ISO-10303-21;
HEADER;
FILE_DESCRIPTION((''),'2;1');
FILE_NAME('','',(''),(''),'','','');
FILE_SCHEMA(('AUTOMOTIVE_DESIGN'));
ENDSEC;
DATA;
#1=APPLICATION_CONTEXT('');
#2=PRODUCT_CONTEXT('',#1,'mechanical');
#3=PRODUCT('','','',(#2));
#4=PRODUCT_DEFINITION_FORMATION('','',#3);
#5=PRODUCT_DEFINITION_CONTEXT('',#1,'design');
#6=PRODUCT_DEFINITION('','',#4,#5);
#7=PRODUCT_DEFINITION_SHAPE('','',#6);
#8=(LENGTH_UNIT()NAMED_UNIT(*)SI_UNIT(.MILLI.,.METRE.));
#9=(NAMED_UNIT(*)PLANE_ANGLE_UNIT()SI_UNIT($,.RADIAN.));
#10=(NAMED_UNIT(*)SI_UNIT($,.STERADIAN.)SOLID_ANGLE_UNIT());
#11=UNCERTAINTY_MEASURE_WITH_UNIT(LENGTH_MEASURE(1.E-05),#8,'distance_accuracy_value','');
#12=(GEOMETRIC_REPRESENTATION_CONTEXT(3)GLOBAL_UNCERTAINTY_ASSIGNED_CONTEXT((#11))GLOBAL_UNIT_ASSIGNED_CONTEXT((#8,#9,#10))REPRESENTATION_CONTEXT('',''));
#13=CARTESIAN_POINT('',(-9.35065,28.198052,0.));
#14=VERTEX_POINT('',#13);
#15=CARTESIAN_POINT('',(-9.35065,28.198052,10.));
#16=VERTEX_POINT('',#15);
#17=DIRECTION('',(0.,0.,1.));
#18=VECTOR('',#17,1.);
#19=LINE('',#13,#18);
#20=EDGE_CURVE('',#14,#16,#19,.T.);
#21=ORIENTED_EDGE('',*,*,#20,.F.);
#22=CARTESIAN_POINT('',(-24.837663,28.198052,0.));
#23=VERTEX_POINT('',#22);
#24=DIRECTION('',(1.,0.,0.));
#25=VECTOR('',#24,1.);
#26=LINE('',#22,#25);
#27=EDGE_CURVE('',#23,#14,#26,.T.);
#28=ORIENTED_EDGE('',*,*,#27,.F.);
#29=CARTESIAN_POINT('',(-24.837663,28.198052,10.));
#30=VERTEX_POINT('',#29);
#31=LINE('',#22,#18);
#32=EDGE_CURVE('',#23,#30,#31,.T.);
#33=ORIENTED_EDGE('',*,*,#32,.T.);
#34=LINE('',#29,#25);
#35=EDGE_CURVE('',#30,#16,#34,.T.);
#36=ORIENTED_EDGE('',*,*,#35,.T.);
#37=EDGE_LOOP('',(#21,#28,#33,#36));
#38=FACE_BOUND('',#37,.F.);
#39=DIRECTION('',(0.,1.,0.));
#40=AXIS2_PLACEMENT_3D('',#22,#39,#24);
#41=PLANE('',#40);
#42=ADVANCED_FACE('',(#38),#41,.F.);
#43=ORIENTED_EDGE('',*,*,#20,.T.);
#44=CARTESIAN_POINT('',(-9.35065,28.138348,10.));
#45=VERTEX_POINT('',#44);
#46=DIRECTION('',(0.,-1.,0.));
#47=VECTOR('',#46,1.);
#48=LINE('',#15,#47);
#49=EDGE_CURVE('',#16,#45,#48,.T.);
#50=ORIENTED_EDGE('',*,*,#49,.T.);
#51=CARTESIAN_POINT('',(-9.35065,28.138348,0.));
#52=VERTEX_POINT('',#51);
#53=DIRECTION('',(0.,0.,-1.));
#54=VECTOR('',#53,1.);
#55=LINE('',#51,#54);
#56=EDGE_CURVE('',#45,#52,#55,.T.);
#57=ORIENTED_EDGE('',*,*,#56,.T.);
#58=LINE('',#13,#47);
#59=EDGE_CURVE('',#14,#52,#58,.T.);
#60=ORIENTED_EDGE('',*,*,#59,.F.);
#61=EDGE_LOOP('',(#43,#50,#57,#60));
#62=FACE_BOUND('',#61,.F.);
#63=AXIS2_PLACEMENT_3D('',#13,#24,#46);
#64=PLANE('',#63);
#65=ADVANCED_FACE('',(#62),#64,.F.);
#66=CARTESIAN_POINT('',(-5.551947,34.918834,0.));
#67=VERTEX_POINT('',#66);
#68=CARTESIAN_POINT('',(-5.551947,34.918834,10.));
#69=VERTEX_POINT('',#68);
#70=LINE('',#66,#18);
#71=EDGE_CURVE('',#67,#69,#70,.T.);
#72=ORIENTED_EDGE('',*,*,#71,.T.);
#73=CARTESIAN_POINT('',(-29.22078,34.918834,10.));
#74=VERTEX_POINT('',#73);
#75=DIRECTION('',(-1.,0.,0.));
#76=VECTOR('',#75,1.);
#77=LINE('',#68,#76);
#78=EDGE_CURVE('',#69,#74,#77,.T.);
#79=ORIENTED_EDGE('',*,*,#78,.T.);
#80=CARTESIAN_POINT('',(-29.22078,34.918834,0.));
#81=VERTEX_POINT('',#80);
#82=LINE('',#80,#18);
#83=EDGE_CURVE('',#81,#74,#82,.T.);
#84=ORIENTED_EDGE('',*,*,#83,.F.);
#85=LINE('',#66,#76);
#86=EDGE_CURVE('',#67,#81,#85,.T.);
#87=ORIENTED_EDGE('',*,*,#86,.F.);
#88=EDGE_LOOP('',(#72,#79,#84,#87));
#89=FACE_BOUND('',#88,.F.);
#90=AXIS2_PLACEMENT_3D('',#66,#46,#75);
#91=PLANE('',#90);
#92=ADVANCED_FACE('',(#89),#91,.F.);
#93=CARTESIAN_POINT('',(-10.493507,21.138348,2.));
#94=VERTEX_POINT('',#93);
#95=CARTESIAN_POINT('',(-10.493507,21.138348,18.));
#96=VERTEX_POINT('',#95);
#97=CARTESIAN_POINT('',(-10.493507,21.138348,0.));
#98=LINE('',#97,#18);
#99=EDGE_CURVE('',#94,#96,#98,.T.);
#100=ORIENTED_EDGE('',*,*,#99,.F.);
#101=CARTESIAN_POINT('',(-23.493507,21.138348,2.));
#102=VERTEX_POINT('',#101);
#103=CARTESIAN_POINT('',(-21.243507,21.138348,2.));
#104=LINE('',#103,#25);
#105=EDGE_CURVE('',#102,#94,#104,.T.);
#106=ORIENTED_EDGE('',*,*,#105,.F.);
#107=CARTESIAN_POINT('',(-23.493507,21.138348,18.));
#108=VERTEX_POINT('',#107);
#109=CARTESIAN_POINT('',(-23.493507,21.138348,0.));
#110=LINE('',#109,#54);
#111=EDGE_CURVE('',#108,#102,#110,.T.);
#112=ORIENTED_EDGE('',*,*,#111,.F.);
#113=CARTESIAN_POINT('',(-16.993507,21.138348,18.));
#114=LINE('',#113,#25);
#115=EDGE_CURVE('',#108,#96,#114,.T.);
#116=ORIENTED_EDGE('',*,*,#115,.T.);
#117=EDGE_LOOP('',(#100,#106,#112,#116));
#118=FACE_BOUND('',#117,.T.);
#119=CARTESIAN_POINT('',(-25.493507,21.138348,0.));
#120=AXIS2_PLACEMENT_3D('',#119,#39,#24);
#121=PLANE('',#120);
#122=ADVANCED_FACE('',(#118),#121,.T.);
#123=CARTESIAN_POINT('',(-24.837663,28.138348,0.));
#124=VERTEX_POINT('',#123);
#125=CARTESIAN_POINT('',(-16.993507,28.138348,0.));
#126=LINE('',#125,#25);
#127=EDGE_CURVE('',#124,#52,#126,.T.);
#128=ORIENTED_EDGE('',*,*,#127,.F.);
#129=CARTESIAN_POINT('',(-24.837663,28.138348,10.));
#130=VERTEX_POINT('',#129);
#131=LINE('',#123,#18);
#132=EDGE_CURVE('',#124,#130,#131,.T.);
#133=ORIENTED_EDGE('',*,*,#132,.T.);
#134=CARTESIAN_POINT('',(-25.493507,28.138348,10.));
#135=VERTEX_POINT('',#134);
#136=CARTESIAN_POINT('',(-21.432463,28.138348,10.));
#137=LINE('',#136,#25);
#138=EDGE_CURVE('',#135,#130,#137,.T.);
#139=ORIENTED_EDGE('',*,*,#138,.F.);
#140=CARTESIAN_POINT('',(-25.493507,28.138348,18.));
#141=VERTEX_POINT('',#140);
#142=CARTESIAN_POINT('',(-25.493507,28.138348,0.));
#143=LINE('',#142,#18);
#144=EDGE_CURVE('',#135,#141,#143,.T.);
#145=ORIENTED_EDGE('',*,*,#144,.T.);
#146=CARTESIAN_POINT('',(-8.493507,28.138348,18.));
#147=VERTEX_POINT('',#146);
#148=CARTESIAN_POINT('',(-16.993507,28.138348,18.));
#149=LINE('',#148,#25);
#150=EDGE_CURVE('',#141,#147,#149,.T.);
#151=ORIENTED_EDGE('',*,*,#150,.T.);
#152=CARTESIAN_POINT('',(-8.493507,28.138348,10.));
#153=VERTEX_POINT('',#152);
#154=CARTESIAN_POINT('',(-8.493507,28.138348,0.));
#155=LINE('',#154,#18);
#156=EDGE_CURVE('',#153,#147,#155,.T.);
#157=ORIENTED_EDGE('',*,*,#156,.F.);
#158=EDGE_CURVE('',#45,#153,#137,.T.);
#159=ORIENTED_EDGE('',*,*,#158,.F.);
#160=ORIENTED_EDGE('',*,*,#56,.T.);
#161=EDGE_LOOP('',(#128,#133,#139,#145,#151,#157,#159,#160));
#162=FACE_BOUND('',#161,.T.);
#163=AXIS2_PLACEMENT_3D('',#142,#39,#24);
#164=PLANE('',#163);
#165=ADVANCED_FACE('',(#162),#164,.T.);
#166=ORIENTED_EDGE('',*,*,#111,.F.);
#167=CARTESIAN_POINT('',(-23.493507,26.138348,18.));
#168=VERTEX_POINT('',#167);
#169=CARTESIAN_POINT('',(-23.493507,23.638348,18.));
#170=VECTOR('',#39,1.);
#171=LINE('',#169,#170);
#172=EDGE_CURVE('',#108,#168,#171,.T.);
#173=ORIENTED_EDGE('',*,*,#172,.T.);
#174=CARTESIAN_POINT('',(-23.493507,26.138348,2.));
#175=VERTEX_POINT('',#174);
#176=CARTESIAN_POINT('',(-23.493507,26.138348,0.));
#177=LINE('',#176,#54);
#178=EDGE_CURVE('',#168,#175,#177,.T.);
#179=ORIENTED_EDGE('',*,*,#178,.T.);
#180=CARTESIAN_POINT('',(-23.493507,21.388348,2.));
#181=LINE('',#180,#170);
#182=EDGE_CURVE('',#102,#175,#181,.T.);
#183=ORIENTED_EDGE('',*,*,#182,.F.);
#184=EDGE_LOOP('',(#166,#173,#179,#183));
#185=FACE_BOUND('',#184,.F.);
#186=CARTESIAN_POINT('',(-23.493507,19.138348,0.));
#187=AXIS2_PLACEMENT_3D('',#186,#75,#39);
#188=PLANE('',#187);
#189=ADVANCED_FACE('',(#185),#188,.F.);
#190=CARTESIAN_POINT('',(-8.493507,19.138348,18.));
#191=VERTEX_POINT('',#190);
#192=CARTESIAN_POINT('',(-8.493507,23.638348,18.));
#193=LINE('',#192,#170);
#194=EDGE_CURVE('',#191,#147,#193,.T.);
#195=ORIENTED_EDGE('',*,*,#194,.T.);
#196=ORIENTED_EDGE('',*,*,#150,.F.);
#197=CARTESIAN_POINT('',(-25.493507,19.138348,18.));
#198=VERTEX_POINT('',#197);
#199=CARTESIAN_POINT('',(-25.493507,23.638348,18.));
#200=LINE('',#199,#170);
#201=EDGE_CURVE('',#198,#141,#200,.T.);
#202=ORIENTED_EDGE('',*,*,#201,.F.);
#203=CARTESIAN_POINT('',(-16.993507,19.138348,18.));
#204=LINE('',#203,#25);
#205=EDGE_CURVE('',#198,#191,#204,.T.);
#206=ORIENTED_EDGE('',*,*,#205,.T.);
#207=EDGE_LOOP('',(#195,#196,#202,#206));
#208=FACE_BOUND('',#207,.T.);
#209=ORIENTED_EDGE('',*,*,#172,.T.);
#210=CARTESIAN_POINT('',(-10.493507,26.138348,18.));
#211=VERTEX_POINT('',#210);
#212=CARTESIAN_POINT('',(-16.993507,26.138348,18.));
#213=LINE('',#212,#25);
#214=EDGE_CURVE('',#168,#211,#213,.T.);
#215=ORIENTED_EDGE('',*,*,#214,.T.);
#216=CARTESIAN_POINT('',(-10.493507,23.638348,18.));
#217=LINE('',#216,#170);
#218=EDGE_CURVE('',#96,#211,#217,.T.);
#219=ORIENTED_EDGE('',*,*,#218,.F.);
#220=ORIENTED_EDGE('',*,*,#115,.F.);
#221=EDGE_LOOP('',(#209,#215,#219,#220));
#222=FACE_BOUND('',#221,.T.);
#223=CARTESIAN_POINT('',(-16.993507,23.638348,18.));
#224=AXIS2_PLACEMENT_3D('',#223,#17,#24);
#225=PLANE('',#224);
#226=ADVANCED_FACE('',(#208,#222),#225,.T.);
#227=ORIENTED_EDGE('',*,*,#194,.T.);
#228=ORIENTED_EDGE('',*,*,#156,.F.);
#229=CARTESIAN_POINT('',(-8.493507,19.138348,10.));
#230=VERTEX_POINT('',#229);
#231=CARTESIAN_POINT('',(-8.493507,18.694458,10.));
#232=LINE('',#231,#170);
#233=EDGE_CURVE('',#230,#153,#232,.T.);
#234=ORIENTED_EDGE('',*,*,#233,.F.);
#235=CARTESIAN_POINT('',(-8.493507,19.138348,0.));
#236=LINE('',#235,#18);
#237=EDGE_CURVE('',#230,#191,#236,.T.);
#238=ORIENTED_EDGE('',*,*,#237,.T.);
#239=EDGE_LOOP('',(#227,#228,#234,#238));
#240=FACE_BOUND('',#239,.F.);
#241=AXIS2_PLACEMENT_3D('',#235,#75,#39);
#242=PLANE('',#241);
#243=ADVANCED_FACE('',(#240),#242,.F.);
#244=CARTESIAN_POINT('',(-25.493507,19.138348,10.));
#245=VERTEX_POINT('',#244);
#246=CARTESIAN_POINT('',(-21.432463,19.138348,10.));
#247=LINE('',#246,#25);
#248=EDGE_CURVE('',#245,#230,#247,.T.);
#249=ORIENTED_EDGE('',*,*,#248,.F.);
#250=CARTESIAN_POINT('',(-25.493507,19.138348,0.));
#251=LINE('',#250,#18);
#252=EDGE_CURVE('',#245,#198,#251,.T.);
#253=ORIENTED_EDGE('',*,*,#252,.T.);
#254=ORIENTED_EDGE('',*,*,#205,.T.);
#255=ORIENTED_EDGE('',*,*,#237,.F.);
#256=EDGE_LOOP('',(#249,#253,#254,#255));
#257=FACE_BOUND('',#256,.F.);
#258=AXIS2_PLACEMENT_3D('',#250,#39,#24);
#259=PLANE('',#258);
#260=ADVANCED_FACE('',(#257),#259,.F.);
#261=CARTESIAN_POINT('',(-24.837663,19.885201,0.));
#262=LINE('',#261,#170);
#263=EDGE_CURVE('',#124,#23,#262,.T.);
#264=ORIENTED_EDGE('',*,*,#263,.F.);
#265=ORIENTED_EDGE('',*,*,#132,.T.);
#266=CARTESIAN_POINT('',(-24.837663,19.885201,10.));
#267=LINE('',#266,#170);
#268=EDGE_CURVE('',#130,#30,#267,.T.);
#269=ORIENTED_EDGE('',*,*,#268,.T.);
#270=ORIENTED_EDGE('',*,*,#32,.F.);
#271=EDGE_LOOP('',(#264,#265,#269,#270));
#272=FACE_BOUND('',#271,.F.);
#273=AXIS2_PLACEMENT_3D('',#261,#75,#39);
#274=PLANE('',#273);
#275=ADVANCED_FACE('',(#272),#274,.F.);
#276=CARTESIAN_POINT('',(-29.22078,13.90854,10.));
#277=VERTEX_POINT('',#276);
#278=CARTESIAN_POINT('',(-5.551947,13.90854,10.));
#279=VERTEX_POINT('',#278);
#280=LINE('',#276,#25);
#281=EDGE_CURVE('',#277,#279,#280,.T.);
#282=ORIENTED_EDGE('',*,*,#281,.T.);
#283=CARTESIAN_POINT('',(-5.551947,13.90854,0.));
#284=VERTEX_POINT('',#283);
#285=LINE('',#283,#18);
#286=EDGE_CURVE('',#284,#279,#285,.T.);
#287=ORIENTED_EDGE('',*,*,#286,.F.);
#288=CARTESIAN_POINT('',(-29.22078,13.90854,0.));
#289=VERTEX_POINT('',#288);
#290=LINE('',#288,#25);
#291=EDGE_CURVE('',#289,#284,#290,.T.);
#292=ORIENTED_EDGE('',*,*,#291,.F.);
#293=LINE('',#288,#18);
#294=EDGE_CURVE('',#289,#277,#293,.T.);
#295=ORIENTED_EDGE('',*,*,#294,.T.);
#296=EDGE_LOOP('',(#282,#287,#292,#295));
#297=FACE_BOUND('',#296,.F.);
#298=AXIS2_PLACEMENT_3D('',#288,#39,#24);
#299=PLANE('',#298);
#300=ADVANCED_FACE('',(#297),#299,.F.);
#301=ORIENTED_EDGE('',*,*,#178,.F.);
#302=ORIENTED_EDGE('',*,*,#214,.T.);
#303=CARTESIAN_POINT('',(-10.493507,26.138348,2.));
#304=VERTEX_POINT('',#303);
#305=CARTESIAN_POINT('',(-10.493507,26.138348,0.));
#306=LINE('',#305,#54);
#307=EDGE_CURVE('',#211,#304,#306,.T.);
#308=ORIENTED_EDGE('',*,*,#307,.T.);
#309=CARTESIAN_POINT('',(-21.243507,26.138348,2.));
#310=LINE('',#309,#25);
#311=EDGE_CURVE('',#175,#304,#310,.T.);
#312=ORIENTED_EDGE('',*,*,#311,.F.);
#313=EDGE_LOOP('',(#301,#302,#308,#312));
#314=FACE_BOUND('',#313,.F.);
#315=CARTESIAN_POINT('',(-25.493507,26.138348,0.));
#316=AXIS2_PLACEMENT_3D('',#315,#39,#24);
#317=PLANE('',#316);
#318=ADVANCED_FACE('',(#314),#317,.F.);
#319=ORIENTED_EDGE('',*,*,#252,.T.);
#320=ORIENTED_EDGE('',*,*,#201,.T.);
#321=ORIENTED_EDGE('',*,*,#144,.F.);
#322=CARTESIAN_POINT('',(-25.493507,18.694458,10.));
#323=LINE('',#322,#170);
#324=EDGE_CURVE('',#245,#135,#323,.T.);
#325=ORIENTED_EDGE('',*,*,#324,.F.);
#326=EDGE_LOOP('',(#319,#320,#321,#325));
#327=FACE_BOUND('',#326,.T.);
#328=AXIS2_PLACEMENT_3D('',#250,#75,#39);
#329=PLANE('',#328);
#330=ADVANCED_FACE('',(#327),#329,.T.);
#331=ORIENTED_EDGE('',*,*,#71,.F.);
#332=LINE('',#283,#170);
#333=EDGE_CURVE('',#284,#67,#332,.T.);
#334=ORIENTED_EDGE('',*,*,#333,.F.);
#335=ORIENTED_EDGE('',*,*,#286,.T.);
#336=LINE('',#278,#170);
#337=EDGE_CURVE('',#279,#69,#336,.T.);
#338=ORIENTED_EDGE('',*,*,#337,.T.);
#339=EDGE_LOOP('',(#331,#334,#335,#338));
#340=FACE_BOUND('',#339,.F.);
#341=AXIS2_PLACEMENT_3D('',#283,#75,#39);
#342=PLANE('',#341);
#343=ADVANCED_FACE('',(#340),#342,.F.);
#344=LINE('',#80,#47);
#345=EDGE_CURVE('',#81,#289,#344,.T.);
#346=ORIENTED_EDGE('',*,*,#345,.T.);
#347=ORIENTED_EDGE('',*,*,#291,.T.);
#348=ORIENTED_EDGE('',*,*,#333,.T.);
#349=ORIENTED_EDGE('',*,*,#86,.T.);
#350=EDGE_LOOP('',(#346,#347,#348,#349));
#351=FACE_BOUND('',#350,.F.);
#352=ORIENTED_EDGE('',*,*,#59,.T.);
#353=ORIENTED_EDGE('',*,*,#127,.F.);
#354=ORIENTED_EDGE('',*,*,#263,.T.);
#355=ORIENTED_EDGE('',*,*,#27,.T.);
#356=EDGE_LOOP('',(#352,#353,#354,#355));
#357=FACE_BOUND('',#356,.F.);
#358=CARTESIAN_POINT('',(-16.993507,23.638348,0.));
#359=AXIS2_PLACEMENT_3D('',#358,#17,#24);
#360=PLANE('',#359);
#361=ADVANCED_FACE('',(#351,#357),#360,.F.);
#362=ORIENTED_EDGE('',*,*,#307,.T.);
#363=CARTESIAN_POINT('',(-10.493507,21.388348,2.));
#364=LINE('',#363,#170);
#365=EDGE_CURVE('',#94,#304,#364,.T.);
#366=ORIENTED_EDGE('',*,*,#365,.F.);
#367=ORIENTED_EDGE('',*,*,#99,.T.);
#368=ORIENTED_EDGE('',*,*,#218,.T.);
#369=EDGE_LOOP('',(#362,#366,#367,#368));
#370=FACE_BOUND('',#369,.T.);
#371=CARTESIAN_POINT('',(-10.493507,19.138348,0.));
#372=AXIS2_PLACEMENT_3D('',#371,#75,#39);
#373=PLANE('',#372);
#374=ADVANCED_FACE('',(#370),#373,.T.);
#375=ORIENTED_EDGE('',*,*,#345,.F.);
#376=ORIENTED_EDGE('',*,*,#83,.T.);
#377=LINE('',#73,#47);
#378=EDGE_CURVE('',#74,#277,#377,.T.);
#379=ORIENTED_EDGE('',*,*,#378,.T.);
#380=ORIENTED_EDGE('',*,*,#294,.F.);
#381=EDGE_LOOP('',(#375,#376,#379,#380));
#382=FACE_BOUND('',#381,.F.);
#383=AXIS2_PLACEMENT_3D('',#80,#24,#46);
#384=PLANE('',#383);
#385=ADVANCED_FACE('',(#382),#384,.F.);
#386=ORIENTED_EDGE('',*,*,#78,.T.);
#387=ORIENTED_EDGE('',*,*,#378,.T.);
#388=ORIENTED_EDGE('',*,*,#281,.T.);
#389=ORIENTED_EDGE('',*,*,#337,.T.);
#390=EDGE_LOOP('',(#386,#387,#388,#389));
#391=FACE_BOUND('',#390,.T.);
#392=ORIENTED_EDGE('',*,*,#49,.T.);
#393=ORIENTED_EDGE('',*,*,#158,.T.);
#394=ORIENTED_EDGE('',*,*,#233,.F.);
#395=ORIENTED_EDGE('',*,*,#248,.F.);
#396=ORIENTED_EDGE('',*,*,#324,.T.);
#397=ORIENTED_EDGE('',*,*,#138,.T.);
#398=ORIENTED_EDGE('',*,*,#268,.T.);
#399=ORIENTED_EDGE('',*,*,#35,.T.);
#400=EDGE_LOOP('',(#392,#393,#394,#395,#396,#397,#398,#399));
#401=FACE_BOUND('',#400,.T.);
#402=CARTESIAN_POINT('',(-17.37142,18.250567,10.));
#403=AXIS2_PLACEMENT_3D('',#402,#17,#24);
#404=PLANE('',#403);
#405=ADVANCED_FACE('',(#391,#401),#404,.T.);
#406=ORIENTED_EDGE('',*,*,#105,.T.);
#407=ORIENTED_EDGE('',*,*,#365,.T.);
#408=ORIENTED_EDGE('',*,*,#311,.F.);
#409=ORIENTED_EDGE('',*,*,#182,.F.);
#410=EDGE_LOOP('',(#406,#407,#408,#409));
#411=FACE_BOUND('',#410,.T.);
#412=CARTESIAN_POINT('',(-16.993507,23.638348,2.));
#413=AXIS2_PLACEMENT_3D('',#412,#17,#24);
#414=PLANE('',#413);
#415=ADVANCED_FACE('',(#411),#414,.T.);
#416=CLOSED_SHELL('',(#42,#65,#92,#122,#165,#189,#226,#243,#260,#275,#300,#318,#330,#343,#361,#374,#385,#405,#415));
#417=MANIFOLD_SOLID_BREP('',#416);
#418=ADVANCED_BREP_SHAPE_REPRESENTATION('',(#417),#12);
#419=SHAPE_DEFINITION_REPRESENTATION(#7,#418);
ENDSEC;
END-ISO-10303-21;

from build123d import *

# Parameters (mm, degrees)
F0_W     = 17
F0_H     = 9
F1_DEPTH = 18
F2_T     = -2
F4_DEPTH = 10


with BuildPart() as f1:
    # F0 (on Top) → F1 (new body)
    with BuildSketch(Plane.XY):
        with Locations((-16.993507, 23.638348)):
            Rectangle(F0_W, F0_H)
    extrude(amount=F1_DEPTH)

    # F2
    f2_openings = [f1.faces().sort_by_distance(p)[0] for p in [
        (-16.993507, 23.638348, 18),
    ]]
    offset(amount=F2_T, openings=f2_openings)

    # F3 (on Top) → F4 (join)
    with BuildSketch(Plane.XY):
        Polygon((-24.837663, 19.885201), (-24.837663, 23.537122), (-29.22078, 23.537122), (-29.22078, 13.90854), (-5.551947, 13.90854), (-5.551947, 23.537122), (-9.35065, 23.537122), (-9.457072, 19.885201), align=None)
        Polygon((-29.22078, 23.537122), (-24.837663, 23.537122), (-24.837663, 28.198052), (-9.35065, 28.198052), (-9.35065, 23.537122), (-5.551947, 23.537122), (-5.551947, 34.918834), (-29.22078, 34.918834), (-29.22078, 28.198052), align=None)
    extrude(amount=F4_DEPTH)


solid = f1.part
